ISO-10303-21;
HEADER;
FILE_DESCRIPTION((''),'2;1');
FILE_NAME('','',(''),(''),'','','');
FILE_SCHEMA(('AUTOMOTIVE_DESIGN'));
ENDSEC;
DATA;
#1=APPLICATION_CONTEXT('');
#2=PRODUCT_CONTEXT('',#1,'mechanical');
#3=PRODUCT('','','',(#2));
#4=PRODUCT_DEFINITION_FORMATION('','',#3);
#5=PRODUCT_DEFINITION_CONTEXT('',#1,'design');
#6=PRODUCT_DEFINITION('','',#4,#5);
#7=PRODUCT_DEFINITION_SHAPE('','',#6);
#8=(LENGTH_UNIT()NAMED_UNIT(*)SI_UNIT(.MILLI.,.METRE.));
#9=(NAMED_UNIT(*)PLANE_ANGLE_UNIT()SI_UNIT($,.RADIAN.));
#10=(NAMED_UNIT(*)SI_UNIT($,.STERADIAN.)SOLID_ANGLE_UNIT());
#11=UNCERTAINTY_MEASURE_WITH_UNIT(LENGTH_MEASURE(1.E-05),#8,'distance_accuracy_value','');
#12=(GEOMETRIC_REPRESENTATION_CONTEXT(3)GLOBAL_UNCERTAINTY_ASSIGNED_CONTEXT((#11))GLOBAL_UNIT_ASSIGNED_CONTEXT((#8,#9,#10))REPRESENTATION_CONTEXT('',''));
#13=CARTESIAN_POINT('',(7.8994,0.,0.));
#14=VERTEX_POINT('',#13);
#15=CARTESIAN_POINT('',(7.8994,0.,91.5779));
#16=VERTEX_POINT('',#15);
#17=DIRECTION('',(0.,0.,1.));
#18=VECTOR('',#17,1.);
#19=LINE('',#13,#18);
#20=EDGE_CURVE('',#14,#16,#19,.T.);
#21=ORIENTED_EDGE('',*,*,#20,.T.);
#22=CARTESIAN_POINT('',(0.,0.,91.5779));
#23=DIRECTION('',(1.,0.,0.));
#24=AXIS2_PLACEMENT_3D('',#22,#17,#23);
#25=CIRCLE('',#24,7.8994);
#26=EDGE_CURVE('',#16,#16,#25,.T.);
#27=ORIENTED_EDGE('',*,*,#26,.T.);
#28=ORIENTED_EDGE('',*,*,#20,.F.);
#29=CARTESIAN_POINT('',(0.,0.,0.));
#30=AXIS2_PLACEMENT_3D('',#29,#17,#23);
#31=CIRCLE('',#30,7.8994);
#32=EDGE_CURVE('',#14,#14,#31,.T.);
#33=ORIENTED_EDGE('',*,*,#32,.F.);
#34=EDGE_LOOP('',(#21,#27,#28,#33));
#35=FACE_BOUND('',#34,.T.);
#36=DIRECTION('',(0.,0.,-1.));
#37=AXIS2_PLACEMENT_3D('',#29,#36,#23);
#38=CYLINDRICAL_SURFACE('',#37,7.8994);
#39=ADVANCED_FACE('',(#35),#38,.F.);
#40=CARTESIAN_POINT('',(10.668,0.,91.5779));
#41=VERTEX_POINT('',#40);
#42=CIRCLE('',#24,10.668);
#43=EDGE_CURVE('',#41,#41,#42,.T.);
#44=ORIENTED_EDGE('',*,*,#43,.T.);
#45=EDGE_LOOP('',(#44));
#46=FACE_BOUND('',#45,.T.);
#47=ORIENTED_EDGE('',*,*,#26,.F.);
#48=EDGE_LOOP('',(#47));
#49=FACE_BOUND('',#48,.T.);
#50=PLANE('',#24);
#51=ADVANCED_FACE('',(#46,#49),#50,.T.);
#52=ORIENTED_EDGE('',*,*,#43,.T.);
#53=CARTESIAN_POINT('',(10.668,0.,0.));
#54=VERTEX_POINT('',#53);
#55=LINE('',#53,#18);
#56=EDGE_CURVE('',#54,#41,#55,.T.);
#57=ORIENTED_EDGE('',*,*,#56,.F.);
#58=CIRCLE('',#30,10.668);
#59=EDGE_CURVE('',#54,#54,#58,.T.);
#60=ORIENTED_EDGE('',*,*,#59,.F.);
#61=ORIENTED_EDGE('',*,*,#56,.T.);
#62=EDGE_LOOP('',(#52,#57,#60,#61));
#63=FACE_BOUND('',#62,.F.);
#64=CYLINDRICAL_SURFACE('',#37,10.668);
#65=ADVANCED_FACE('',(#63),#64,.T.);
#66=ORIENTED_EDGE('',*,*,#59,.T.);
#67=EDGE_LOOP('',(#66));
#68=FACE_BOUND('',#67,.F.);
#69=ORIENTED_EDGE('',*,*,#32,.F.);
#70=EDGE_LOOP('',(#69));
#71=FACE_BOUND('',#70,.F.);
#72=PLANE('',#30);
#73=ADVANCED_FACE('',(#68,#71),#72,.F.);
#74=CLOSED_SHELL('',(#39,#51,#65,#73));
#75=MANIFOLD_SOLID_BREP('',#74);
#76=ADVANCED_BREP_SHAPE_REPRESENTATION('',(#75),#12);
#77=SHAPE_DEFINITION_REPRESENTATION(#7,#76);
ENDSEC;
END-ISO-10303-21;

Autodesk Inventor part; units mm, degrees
ref_plane "YZ Plane" through (0, 0, 0) normal (1, 0, 0) x (0, 1, 0)
ref_plane "Start Plane" through (0, 0, 0) normal (0, 0, 1) x (1, 0, 0)
ref_plane "End Plane" through (0, 0, 91.5779) normal (0, 0, 1) x (1, 0, 0)
sketch "Sketch" plane through (0, 0, 0) normal (0, 0, 1) x (1, 0, 0)
  circle A0 centre (0, 0) radius 7.8994
  circle A1 centre (0, 0) radius 10.668
  dimension "d0" = 21.336
  dimension "d1" = 2.7686
extrude "Body" add sketch "Sketch" along normal up to surface (91.5779 mm away) from surface at 0
sketch "Sketch3" plane through (0, 0, 0) normal (0, 0, 1) x (1, 0, 0)
  line L0 (0, 0) -> (10, 0)
ref_plane "Work Plane3" through (0, 0, 0) normal (0, -1, 0) x (1, 0, 0)
sketch "Sketch4" plane through (0, 0, 0) normal (0, -1, 0) x (1, 0, 0)
  line L0 (-2, 0) -> (12, 0) projected
  line L1 (-2, 91.5779) -> (12, 91.5779) projected
  dimension "d7" = 91.5779
equation "\"d0\" = G_H"
equation "\"d1\" = G_T"
equation "\"d2\" = G_L"
equation "\"G_H\" = 21.336"
equation "\"G_T\" = 2.7686"
equation "\"G_L\" = d7"
equation "\"G_OFFSET_START\" = 0"
equation "\"G_OFFSET_END\" = 0"
equation "\"d5\" = G_OFFSET_END + B_L"
equation "\"B_L\" = 91.57788"
properties part number "ANSI - 1/2 x 0.109 - 3.605" material "Steel, Mild"
